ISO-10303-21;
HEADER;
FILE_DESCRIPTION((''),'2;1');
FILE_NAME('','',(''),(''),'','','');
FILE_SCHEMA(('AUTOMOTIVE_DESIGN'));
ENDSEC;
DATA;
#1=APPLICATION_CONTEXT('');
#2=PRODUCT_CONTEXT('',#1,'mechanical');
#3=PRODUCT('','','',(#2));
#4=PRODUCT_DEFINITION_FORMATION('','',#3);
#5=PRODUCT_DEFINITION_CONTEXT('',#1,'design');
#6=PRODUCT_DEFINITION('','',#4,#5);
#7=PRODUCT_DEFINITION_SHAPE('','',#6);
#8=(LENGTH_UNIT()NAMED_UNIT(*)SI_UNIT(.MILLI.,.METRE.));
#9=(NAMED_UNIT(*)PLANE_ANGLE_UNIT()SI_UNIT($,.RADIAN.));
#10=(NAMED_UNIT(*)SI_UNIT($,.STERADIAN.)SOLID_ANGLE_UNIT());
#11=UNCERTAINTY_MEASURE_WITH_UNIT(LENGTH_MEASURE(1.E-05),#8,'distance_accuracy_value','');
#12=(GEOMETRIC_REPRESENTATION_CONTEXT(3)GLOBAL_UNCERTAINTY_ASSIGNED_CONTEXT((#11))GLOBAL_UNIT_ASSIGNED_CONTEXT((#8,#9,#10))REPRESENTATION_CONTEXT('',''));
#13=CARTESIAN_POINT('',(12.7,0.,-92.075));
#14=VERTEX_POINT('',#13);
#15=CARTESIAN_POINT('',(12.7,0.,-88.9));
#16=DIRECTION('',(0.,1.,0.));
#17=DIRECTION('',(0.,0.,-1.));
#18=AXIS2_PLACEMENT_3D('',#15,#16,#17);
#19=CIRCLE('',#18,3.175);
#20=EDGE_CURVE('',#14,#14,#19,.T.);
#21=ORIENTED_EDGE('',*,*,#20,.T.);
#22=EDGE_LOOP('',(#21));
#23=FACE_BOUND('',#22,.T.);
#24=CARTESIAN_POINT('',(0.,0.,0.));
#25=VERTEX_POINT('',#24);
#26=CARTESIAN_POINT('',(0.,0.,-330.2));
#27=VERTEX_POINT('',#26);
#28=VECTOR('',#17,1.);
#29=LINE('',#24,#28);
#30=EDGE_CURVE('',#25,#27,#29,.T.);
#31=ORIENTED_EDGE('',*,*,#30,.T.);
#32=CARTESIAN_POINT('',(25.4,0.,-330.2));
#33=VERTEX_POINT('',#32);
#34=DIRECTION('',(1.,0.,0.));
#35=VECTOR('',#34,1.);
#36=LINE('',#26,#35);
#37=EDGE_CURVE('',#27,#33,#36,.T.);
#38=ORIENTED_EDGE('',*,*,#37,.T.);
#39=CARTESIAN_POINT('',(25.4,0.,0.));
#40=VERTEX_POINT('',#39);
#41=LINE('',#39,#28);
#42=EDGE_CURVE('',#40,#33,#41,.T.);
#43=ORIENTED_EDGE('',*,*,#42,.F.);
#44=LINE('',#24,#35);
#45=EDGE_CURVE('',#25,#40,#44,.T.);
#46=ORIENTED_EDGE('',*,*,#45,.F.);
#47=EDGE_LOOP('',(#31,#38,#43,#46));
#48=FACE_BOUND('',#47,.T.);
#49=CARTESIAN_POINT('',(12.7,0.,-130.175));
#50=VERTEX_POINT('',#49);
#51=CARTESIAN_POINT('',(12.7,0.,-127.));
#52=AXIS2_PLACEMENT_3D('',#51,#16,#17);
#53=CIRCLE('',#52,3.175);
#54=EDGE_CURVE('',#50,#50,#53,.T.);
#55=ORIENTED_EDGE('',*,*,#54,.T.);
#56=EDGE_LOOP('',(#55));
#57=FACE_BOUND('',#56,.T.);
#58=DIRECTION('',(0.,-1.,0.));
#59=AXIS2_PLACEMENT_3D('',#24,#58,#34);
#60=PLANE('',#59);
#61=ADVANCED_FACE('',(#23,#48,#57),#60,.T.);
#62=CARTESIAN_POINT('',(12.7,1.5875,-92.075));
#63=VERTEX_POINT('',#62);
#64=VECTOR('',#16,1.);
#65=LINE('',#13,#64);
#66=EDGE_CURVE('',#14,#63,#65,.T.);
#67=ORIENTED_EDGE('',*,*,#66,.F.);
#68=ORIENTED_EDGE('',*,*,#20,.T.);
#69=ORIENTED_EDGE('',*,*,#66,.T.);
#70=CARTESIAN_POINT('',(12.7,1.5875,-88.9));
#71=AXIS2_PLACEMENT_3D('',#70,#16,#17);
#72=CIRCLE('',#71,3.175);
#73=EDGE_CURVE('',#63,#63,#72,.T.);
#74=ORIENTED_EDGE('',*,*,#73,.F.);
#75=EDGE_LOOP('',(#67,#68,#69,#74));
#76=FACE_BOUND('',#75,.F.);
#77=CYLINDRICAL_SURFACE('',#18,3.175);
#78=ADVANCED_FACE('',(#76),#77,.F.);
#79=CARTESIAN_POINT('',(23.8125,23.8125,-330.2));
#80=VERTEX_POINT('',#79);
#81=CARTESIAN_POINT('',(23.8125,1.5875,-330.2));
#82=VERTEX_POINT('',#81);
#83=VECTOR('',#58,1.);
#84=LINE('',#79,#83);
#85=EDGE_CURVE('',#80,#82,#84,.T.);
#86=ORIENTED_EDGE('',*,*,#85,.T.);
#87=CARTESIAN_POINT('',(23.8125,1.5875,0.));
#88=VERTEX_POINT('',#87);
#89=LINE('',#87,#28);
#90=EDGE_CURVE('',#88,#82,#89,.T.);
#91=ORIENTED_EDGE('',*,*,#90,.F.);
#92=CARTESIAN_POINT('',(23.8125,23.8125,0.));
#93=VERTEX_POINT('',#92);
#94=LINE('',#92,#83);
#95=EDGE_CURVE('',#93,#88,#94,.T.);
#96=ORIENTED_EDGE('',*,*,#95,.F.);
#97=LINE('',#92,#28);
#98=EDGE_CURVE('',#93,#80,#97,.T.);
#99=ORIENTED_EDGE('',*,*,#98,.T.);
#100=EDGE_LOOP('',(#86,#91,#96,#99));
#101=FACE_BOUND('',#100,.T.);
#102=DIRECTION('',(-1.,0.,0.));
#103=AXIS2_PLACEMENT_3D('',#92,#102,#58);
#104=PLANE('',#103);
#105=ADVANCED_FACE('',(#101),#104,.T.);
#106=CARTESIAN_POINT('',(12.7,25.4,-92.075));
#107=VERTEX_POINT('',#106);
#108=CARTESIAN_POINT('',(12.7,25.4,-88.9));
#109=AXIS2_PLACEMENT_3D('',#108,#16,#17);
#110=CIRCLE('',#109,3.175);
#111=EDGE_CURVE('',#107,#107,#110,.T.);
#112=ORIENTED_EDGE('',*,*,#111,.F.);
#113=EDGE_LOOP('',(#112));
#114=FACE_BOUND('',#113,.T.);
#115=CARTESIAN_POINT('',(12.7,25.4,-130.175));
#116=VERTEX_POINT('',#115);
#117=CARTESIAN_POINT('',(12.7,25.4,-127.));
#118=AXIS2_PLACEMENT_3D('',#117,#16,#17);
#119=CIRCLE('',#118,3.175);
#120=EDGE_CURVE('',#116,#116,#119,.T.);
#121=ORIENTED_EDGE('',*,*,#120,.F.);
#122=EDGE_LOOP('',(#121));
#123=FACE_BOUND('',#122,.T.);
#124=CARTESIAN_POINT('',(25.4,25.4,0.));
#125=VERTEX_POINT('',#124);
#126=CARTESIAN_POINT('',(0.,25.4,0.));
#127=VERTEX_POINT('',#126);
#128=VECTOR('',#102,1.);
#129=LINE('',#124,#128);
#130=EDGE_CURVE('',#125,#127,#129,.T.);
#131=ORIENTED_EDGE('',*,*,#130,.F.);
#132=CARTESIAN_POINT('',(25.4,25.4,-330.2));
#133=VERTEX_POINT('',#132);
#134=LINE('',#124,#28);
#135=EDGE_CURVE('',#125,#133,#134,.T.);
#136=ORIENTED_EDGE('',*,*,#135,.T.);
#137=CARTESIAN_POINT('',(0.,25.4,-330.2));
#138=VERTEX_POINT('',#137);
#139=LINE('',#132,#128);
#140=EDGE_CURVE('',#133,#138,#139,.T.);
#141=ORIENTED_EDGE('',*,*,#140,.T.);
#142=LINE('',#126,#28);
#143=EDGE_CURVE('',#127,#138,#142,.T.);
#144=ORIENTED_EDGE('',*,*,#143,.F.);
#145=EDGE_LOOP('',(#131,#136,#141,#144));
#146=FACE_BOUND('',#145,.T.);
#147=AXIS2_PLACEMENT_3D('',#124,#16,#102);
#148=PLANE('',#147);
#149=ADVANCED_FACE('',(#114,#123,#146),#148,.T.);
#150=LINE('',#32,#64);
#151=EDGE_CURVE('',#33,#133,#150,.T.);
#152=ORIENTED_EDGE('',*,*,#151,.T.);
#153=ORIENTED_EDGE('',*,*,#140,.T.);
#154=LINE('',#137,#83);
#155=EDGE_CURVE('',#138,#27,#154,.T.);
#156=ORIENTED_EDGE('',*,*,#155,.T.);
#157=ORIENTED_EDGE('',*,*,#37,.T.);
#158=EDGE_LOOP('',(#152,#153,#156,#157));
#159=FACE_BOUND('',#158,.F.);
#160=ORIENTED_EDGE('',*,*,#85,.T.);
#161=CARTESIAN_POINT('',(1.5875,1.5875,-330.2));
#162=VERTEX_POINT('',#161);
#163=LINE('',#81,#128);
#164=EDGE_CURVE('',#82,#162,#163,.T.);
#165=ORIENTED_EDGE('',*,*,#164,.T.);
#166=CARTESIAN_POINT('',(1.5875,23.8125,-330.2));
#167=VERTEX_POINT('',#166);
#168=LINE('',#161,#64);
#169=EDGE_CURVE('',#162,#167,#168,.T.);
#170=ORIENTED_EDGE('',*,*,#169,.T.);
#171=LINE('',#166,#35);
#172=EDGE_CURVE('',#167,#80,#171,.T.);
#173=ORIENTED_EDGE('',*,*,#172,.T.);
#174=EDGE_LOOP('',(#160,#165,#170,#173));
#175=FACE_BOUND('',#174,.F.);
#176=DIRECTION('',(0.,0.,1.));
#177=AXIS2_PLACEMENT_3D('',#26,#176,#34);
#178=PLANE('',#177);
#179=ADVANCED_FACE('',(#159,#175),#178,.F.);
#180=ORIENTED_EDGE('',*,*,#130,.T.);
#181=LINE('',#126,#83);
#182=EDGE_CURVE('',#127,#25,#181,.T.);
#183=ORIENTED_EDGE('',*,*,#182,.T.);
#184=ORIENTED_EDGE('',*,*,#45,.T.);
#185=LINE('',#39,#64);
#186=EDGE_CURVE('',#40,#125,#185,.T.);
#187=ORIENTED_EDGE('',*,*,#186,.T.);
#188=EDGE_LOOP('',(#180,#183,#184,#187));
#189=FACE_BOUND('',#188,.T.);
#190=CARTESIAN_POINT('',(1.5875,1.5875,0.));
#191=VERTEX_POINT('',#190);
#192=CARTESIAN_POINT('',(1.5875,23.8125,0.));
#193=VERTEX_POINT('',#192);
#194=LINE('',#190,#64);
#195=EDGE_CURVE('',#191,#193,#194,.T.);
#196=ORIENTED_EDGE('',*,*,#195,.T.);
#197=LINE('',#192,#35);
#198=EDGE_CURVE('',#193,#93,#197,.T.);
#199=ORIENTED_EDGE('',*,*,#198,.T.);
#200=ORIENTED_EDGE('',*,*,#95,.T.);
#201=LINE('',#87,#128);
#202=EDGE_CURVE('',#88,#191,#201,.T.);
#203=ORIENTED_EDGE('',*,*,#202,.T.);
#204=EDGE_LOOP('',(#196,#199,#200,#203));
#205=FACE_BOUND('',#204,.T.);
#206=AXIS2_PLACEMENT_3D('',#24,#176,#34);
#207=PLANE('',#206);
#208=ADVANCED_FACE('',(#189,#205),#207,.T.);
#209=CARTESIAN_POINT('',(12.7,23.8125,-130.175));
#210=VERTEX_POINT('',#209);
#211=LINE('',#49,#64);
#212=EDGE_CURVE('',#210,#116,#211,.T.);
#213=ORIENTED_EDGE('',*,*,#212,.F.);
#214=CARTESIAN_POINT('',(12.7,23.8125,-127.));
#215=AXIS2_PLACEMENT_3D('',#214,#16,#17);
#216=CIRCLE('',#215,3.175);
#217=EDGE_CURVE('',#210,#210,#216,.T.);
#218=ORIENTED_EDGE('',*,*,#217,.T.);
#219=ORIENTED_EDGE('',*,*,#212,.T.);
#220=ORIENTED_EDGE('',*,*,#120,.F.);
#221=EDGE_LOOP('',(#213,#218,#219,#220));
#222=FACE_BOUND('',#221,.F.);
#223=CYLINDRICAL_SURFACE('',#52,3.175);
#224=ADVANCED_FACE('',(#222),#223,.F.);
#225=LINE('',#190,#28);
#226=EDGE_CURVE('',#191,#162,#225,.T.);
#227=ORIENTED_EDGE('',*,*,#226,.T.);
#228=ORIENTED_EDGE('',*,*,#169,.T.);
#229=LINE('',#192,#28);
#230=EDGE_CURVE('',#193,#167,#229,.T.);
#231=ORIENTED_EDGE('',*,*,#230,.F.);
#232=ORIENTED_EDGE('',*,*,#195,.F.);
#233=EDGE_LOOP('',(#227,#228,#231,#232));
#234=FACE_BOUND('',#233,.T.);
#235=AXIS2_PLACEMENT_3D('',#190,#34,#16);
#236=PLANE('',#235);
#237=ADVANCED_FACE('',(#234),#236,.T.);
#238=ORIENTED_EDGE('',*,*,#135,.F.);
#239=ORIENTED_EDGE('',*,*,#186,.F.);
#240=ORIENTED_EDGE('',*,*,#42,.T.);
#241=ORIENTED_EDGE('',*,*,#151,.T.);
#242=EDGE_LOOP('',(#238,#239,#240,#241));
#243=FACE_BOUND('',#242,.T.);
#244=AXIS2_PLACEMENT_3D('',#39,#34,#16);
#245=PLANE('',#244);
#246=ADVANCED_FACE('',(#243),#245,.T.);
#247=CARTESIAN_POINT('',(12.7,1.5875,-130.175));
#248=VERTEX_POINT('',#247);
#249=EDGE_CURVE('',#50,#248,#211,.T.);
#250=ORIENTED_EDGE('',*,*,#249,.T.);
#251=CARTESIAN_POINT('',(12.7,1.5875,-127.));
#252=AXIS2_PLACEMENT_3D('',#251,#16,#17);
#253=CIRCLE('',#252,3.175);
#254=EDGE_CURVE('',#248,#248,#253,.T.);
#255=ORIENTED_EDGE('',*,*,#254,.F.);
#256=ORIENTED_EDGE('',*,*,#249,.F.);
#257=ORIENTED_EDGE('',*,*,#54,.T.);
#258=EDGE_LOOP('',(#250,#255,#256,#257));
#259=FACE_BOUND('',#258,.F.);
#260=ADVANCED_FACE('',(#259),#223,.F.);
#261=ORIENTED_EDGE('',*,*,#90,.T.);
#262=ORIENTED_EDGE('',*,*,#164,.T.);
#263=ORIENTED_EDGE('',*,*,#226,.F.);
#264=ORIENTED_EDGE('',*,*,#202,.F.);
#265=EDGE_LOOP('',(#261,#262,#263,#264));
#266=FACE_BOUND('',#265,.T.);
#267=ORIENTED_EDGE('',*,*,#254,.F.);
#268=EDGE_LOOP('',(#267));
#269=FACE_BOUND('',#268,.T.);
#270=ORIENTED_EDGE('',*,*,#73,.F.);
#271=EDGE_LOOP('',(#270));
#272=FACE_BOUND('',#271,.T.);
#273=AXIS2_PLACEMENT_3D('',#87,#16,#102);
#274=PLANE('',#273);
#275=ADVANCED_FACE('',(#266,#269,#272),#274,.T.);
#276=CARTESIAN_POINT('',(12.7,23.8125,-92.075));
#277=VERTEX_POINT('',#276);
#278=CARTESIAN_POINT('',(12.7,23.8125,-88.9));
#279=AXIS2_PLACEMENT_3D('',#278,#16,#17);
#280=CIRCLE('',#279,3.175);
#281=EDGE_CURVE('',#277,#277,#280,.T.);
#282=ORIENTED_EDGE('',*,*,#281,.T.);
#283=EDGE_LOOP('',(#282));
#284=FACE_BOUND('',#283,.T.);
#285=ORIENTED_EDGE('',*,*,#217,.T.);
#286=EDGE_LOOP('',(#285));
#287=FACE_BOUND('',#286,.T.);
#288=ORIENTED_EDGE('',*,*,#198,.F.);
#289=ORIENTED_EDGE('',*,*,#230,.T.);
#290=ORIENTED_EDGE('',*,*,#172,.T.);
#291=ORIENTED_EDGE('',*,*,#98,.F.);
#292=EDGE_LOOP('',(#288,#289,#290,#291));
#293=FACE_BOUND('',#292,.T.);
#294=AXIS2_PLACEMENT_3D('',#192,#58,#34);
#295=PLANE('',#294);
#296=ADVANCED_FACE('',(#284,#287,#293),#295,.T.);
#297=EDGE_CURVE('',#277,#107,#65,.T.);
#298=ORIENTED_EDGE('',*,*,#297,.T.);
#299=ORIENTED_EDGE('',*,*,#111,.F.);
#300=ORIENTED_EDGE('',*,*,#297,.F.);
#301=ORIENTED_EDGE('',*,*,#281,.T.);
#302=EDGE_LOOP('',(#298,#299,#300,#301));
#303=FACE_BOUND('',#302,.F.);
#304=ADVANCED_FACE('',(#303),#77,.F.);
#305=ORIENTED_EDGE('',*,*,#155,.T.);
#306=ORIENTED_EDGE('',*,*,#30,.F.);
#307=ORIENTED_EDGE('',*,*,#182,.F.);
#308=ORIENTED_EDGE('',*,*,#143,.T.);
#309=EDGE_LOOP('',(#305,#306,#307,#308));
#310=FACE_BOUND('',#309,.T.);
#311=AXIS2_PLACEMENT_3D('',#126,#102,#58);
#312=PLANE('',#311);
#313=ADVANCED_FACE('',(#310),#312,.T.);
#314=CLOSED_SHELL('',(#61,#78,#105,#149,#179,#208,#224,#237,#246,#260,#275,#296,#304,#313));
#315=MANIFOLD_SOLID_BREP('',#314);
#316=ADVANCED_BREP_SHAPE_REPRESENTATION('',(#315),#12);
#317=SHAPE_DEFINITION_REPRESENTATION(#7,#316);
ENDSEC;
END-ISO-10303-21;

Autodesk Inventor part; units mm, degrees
ref_plane "YZ Plane" through (0, 0, 0) normal (1, 0, 0) x (0, 1, 0)
ref_plane "XZ Plane" through (0, 0, 0) normal (0, 1, 0) x (-1, 0, 0)
ref_plane "XY Plane" through (0, 0, 0) normal (0, 0, 1) x (1, 0, 0)
sketch "Sketch1" plane through (0, 0, 0) normal (0, 0, 1) x (1, 0, 0)
  line L0 (0, 0) -> (25.4, 0)
  line L1 (25.4, 0) -> (25.4, 25.4)
  line L2 (25.4, 25.4) -> (0, 25.4)
  line L3 (0, 25.4) -> (0, 0)
  line L4 (1.5875, 23.8125) -> (23.8125, 23.8125)
  line L5 (23.8125, 23.8125) -> (23.8125, 1.5875)
  line L6 (23.8125, 1.5875) -> (1.5875, 1.5875)
  line L7 (1.5875, 1.5875) -> (1.5875, 23.8125)
  dimension "d0" = 25.4
  dimension "d1" = 25.4
  dimension "d2" = 1.5875
extrude "Extrusion1" add sketch "Sketch1" against normal blind 330.2
sketch "Sketch2" plane through (0, 0, 0) normal (0, -1, 0) x (1, 0, 0)
  line L0 (0, -330.2) -> (25.4, -330.2) projected
  point P0 (12.7, -127)
  point P1 (12.7, -88.9)
  dimension "d5" = 38.1
  dimension "d6" = 203.2
hole "Hole1" at (12.7, 0, -127) at (12.7, 0, -88.9) direction (0, 1, 0) diameter 6.35 depth 25.4 tip angle 118
properties part number "1tube_13_layer1_side"
